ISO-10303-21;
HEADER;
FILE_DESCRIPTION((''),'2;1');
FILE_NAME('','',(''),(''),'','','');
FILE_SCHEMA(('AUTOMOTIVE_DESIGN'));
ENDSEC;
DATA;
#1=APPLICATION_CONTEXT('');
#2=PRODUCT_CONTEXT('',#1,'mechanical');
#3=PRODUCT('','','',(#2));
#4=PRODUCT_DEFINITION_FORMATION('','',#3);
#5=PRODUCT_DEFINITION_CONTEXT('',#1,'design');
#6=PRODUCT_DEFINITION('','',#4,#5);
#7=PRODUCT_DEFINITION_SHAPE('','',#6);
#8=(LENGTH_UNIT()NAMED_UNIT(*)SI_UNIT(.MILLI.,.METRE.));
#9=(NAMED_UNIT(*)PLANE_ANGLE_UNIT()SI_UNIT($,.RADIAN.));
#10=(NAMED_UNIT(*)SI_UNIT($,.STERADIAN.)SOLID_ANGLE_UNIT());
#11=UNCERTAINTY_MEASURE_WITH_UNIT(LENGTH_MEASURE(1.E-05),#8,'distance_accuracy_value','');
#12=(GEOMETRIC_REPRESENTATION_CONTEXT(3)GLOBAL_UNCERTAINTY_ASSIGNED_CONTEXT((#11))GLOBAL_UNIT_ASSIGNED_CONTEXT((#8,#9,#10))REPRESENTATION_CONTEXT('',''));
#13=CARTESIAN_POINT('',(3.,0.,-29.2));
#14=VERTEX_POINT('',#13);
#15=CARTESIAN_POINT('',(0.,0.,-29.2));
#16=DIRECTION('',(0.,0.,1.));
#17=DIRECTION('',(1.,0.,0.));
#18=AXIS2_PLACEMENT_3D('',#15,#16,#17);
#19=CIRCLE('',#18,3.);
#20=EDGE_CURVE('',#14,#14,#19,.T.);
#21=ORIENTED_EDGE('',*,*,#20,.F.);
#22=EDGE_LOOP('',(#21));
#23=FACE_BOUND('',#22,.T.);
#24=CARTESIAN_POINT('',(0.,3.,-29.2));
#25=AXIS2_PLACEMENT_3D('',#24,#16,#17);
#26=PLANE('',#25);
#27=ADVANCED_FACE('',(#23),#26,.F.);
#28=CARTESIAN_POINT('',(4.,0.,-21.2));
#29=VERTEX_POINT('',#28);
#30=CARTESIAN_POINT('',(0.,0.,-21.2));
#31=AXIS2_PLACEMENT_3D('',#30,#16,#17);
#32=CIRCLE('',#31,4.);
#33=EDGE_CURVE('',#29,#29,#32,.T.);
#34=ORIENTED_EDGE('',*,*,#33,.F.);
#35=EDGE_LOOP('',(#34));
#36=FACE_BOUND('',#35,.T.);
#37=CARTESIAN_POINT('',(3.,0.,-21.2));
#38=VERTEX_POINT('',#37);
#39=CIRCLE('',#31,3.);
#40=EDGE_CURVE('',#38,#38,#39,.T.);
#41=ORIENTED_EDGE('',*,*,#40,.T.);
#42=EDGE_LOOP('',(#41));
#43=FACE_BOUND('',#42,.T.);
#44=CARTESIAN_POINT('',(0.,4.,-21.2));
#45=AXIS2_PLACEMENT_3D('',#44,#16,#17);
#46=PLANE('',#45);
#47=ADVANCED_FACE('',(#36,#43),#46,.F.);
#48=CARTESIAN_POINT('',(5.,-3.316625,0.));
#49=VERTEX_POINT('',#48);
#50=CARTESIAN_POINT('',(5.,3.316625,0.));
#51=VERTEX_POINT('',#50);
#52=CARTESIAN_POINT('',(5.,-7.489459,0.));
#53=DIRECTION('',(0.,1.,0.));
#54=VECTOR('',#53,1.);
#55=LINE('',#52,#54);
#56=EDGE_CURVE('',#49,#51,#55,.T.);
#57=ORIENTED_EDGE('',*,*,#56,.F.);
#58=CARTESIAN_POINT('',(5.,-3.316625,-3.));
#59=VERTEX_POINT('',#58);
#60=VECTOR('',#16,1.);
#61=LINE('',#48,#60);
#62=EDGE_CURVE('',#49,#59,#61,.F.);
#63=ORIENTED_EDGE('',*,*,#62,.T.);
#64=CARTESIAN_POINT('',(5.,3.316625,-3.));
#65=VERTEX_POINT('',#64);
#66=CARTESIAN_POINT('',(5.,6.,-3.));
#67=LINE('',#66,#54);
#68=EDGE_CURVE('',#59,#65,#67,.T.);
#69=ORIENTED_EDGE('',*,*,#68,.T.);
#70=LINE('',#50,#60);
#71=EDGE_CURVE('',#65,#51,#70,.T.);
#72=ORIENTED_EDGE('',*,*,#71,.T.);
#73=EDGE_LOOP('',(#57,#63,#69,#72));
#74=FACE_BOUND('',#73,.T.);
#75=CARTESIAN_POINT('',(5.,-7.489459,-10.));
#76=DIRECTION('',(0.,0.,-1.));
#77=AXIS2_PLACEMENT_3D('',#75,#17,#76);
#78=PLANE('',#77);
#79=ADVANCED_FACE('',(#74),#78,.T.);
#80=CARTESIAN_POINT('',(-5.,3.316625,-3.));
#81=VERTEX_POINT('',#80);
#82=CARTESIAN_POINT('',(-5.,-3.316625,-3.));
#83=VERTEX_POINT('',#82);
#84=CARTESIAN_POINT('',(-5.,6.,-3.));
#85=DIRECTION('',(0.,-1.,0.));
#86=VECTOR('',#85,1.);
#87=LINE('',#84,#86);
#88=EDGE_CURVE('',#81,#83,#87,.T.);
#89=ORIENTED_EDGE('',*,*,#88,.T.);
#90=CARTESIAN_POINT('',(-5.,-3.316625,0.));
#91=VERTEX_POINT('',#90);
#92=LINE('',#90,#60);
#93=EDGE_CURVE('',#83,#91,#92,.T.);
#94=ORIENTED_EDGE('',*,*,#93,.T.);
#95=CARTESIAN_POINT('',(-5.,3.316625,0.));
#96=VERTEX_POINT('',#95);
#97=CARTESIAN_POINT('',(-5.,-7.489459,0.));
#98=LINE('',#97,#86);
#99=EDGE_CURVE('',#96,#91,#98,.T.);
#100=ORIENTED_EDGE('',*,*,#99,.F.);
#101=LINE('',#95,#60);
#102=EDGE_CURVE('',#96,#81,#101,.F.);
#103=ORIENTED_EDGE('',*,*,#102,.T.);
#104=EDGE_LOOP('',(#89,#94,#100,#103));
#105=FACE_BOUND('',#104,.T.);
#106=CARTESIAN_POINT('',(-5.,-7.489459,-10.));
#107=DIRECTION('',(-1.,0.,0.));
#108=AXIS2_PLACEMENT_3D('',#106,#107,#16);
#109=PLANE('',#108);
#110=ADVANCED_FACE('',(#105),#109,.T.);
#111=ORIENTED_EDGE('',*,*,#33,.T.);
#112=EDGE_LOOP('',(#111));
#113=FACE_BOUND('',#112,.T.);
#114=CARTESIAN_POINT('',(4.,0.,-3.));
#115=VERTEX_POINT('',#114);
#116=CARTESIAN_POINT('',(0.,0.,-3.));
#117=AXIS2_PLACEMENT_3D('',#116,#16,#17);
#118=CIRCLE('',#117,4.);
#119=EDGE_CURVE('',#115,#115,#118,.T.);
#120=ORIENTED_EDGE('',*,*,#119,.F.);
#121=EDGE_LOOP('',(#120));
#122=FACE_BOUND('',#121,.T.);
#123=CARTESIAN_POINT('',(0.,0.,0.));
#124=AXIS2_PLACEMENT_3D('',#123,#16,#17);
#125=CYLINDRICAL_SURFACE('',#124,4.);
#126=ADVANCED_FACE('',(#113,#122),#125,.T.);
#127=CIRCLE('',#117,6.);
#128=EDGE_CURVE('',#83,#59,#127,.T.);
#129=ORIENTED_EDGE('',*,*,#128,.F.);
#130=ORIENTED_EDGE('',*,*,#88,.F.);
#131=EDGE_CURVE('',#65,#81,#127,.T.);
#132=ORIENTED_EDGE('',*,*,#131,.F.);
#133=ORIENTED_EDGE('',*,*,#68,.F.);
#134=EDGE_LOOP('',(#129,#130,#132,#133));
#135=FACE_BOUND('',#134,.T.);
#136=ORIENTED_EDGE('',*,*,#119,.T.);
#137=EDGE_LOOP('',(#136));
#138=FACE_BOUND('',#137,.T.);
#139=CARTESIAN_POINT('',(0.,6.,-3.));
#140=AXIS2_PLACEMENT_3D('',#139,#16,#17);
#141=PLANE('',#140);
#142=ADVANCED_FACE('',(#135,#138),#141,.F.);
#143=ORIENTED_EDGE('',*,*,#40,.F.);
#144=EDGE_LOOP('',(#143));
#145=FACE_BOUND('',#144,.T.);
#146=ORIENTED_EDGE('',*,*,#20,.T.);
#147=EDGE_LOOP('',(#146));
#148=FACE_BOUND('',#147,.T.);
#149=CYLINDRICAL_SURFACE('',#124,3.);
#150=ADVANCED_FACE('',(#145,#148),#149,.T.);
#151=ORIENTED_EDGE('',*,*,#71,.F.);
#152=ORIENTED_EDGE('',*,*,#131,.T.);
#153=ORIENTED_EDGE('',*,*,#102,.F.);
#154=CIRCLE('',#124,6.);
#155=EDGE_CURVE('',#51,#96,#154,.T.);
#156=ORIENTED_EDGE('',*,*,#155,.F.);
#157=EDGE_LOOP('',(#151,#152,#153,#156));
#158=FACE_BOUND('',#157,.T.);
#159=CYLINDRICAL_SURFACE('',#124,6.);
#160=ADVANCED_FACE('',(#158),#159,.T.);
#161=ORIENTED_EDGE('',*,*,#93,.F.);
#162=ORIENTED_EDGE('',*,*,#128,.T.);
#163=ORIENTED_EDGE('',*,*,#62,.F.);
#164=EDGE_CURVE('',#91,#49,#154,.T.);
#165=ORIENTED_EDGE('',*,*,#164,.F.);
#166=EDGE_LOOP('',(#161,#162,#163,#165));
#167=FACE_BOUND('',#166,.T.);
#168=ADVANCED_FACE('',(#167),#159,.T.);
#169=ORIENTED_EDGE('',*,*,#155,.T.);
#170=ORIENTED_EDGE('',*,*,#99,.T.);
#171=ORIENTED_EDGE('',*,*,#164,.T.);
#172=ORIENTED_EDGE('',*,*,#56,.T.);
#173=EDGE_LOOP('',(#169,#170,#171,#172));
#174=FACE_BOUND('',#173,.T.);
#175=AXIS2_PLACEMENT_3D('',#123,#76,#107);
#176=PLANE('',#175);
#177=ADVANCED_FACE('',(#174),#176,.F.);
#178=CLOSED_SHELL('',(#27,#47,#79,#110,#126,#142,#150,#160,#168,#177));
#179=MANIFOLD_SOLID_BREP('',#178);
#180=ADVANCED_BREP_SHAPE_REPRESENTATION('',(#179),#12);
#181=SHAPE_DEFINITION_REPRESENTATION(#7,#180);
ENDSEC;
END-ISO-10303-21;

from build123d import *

# Parameters (mm, degrees)
SKETCH_3_OUTSIDE_W   = 20.754
SKETCH_3_OUTSIDE_H   = 20.754
SKETCH_3_OUTSIDE_W_2 = 10
SKETCH_3_OUTSIDE_H_2 = 14.97891863
CUT_EXTRUDE_1_DEPTH  = 10


with BuildPart() as part:
    # 草图2 → 旋转1 (revolve)
    with BuildSketch(Plane(origin=(0, 0, 0), x_dir=(0, 0, -1), z_dir=(1, 0, 0))):
        Polygon((0, 0), (0, 6), (3, 6), (3, 4), (21.2, 4), (21.2, 3), (29.2, 3), (29.2, 0), align=None)
    revolve(axis=Axis((0, 0, 0), (0, 0, -1)))

    # 草图3 outside → 切除-拉伸1 (cut)
    with BuildSketch(Plane.XY):
        Rectangle(SKETCH_3_OUTSIDE_W, SKETCH_3_OUTSIDE_H)
        Rectangle(SKETCH_3_OUTSIDE_W_2, SKETCH_3_OUTSIDE_H_2, mode=Mode.SUBTRACT)
    extrude(amount=-CUT_EXTRUDE_1_DEPTH, mode=Mode.SUBTRACT)


solid = part.part
